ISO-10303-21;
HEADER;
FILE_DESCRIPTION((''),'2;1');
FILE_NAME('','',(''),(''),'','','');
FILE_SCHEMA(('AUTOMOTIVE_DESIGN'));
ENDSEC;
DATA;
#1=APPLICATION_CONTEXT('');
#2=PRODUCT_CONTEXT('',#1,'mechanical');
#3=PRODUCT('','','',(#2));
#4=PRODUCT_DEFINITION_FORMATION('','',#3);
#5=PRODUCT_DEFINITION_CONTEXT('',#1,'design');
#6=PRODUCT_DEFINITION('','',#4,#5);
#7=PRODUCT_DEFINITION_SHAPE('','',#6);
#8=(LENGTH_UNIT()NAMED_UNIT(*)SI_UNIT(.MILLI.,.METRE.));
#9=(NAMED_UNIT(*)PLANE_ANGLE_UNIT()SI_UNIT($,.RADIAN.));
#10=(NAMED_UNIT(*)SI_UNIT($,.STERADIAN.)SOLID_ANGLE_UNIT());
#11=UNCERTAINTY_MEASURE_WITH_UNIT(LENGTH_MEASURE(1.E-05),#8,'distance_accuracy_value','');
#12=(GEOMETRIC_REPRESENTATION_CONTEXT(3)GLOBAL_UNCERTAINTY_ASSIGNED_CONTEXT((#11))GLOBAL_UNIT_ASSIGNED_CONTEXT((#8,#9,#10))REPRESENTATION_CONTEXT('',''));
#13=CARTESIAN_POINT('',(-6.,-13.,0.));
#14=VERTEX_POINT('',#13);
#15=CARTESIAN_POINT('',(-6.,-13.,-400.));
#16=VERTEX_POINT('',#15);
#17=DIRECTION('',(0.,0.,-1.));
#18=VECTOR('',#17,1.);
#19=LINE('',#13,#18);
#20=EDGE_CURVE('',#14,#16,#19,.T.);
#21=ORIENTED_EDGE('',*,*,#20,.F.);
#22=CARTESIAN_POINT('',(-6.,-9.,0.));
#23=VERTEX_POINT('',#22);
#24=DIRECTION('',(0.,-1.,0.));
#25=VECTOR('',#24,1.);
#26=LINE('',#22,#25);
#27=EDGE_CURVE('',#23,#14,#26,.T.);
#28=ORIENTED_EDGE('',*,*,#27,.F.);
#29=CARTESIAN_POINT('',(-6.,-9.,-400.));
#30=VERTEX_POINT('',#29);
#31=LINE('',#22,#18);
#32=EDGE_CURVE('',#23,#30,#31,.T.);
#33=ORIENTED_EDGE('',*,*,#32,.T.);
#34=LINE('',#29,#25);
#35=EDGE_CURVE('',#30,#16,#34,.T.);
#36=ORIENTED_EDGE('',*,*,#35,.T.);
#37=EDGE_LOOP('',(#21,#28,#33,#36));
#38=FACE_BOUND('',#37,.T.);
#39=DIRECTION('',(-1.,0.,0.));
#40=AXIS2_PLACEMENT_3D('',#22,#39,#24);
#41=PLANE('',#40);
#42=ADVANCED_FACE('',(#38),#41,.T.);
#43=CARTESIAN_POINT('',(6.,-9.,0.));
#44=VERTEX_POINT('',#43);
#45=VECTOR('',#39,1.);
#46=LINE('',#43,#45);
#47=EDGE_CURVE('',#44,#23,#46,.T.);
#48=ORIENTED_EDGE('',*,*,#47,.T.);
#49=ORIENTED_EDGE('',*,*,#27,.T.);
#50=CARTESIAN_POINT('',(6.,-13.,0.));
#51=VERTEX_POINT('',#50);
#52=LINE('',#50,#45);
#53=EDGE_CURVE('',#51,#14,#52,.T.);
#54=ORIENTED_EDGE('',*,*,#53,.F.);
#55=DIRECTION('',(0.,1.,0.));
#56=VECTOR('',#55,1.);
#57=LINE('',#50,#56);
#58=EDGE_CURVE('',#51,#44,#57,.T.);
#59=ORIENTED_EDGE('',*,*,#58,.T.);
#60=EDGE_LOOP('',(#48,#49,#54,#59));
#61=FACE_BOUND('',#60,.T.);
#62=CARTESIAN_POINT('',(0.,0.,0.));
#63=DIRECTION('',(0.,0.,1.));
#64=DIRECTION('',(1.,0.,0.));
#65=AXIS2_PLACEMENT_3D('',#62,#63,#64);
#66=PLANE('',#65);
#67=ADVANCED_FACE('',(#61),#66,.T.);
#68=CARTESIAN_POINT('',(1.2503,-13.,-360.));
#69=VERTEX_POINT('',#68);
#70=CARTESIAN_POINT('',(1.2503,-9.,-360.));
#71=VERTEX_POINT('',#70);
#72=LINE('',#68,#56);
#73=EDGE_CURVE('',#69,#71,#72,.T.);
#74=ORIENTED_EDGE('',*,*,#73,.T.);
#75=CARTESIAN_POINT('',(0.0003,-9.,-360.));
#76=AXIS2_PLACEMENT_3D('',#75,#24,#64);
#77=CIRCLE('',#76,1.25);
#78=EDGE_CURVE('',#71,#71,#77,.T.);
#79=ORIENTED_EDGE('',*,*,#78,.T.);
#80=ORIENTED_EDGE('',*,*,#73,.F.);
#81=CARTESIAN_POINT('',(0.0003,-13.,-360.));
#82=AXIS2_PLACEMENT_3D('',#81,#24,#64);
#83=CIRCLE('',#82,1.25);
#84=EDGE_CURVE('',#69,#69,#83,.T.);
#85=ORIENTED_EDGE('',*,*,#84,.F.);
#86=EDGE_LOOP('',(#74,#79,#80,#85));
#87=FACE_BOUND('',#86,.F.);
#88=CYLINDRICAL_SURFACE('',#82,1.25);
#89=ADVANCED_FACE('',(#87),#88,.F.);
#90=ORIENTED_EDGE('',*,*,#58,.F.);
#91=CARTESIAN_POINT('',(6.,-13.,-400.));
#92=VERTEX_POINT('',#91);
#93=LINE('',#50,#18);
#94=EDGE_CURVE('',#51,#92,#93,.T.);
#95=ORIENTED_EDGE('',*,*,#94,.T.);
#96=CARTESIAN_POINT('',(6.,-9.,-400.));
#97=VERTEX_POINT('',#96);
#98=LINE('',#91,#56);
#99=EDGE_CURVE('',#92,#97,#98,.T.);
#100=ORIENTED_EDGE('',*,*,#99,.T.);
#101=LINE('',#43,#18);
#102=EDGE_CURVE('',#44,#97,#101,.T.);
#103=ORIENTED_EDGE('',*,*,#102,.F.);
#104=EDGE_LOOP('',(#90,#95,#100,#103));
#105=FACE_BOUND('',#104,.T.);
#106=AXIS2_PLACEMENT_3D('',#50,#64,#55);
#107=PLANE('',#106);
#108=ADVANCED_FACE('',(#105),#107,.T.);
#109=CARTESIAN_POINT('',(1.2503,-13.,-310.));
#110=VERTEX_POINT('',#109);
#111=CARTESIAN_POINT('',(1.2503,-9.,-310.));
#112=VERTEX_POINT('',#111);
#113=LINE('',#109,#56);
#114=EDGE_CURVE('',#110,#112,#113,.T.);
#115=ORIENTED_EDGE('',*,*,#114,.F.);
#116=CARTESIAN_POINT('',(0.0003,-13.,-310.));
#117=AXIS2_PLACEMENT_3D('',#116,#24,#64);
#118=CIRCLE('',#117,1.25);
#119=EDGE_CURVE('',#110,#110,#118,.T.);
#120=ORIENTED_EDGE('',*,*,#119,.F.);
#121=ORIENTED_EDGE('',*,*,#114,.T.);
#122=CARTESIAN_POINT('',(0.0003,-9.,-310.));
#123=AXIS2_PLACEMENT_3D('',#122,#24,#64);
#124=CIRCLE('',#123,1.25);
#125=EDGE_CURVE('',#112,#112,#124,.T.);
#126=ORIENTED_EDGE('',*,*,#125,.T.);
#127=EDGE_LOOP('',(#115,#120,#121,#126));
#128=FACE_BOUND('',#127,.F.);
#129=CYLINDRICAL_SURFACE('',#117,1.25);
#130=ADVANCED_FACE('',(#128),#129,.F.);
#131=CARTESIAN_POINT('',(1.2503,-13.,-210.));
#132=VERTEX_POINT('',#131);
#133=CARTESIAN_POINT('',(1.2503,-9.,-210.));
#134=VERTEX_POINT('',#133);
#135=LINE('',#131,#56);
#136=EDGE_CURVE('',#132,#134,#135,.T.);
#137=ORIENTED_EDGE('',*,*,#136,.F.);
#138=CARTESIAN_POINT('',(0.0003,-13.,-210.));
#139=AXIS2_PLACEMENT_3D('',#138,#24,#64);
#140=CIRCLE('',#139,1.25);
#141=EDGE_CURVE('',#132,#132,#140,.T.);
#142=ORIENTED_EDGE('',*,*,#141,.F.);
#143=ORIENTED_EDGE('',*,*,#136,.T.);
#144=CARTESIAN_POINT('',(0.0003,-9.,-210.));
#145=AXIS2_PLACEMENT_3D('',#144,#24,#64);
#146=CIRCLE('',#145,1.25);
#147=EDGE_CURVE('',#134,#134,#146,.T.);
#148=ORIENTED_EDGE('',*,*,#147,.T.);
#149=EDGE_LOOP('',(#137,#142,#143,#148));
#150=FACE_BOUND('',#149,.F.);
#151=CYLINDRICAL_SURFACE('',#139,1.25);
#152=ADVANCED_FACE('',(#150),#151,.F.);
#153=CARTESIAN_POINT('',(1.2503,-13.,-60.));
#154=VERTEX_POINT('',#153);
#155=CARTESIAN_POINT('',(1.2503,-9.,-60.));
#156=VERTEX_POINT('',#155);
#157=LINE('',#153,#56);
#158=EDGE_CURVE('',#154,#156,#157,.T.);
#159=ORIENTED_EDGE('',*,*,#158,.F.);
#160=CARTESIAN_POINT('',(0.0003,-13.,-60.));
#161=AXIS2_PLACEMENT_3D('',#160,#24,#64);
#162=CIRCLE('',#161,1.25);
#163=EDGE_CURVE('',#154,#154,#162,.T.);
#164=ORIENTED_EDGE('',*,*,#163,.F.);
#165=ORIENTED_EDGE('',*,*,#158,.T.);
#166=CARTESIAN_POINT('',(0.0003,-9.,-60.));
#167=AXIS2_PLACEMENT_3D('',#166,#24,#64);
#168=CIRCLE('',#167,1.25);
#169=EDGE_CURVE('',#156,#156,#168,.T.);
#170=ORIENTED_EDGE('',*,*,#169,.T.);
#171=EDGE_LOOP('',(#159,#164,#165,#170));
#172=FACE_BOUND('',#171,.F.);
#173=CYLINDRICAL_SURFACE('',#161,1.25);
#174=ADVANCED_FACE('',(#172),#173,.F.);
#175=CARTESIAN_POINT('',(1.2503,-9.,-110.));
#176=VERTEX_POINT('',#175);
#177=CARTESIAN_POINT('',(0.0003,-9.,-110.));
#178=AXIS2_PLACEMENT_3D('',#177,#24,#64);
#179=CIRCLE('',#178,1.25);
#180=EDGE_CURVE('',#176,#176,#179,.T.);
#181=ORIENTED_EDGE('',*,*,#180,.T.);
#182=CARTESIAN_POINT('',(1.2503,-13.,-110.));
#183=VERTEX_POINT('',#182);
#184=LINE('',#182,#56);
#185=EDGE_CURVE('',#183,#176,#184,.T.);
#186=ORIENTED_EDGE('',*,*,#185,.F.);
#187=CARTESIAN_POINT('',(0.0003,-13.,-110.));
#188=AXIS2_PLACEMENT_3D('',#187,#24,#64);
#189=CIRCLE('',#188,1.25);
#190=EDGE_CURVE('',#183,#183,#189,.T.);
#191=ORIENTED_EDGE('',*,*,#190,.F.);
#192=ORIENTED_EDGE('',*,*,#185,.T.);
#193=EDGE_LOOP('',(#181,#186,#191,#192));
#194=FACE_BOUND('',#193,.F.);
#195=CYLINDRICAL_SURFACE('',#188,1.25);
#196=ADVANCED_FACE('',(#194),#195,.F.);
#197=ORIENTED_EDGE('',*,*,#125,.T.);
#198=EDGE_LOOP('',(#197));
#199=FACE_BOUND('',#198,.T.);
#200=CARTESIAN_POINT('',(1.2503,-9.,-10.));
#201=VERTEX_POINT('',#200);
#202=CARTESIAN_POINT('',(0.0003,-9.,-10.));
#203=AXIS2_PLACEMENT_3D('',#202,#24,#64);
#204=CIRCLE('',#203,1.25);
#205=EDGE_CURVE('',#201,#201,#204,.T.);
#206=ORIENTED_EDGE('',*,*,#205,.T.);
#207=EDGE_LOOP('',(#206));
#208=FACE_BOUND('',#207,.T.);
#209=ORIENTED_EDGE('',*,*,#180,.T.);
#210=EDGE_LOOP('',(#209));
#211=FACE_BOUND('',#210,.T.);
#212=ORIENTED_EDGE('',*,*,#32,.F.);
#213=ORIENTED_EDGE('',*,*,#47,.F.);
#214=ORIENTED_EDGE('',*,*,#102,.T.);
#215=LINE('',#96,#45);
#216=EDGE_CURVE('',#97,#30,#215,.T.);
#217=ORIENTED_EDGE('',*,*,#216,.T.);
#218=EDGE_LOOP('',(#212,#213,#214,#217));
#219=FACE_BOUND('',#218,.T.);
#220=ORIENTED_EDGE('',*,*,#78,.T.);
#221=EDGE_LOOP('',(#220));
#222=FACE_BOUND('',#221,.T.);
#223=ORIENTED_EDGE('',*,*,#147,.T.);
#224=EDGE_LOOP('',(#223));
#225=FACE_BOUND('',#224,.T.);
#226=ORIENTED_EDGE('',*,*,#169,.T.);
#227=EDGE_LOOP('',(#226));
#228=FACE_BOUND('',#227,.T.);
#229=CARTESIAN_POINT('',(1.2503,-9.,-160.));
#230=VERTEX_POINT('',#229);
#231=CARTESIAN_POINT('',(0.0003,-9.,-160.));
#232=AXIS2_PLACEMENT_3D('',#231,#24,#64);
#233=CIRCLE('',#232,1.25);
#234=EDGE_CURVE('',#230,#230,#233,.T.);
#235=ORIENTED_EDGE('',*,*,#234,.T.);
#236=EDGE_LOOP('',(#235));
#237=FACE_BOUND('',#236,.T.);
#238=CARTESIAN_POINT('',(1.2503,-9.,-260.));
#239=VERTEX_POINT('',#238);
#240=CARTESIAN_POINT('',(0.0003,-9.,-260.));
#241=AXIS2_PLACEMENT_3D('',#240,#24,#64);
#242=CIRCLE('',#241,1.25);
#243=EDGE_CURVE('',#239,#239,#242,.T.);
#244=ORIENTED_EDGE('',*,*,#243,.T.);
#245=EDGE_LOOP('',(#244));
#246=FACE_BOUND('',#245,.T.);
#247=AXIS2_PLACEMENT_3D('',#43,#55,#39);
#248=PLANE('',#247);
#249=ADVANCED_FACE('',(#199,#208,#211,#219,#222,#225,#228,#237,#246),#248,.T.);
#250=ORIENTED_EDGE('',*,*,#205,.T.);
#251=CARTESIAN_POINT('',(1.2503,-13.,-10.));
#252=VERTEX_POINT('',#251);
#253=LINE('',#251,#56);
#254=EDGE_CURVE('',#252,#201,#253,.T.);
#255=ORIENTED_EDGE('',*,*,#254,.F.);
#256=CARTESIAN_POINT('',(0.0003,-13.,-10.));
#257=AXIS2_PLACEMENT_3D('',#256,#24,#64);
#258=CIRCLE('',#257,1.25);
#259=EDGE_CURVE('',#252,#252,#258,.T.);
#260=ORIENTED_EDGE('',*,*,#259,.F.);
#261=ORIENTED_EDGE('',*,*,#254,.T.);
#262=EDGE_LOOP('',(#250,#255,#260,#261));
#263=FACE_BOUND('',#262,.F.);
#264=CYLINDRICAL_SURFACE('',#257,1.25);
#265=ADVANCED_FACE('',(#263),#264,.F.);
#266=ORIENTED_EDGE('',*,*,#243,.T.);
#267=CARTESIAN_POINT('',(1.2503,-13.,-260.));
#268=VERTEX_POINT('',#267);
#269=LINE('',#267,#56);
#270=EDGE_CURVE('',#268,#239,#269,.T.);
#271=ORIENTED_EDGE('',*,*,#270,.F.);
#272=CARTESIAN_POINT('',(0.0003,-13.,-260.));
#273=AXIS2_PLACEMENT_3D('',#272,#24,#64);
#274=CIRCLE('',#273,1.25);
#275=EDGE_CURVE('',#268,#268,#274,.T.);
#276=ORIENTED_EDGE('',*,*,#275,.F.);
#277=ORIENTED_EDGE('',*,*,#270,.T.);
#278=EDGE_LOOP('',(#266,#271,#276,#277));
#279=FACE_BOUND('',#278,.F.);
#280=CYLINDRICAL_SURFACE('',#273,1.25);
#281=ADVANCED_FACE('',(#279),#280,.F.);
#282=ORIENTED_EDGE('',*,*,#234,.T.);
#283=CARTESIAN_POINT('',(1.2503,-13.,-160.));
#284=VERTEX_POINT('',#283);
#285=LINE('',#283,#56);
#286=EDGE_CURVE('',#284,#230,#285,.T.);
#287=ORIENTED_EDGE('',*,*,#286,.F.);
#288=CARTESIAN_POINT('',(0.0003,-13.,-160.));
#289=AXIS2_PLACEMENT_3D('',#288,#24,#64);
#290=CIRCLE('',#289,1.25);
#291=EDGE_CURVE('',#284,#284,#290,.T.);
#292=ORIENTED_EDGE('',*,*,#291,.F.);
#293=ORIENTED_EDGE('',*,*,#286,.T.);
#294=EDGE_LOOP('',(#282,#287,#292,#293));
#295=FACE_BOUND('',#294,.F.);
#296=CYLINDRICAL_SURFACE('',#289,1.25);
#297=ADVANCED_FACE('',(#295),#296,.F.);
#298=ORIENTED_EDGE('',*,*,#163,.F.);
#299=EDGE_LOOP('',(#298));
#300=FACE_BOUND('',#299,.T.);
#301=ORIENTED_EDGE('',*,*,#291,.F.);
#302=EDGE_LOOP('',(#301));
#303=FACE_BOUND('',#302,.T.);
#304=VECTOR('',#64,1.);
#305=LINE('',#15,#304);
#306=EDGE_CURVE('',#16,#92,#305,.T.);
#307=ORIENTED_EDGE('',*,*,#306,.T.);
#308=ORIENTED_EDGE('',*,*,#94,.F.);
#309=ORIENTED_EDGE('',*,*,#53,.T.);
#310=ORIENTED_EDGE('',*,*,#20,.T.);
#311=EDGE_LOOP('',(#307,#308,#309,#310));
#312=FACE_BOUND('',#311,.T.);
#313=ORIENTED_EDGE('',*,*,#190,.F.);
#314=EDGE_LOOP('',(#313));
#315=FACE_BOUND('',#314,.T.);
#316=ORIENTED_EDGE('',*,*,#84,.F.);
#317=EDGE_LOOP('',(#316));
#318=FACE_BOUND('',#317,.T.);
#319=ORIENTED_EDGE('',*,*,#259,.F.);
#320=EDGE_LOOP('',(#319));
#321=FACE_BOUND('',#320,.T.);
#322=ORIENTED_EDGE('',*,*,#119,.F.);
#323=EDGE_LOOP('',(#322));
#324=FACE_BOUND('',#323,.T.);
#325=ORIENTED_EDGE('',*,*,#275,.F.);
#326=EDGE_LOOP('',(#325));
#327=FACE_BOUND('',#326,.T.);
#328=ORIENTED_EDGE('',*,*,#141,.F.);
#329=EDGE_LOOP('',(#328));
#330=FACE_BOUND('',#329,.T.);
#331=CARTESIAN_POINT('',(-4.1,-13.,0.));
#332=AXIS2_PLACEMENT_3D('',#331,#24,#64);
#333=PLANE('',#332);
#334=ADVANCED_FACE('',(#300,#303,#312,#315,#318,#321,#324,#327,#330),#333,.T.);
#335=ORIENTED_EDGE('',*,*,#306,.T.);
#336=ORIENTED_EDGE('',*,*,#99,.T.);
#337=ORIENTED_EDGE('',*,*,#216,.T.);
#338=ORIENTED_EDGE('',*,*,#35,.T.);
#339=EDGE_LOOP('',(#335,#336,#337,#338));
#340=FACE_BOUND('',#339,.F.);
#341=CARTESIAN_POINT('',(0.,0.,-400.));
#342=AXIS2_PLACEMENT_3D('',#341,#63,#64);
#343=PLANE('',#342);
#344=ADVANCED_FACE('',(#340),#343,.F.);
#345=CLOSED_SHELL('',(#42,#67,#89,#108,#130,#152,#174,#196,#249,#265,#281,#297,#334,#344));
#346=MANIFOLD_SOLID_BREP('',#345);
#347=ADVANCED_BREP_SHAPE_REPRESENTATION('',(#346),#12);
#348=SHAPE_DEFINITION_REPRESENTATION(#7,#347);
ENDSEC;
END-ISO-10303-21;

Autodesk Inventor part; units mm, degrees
ref_plane "YZ Plane" through (0, 0, 0) normal (1, 0, 0) x (0, 1, 0)
ref_plane "XZ Plane" through (0, 0, 0) normal (0, 1, 0) x (-1, 0, 0)
ref_plane "XY Plane" through (0, 0, 0) normal (0, 0, 1) x (1, 0, 0)
sketch "Sketch1" plane through (0, 0, 0) normal (0, 0, 1) x (1, 0, 0)
  line L0 (8.25, 13) -> (8.25, 9.6642) projected
  line L1 (8.25, 9.6642) -> (4.1, 5.5142) projected
  line L2 (4.1, 5.5142) -> (-4.1, 5.5142) projected
  line L3 (-4.1, 5.5142) -> (-8.25, 9.6642) projected
  line L4 (-8.25, 9.6642) -> (-8.25, 13) projected
  line L5 (-8.25, 13) -> (-4.1, 13) projected
  line L6 (-4.1, 13) -> (-4.1, 14) projected
  line L7 (-4.1, 14) -> (-5.1, 14) projected
  line L8 (-5.1, 14) -> (-5.1, 15) projected
  line L9 (-5.1, 15) -> (-13, 15) projected
  arc A0 (-13, 15) -> (-15, 13) centre (-13, 13) ccw projected
  line L10 (-15, 13) -> (-15, 5.1) projected
  line L11 (-15, 5.1) -> (-14, 5.1) projected
  line L12 (-14, 5.1) -> (-14, 4.1) projected
  line L13 (-14, 4.1) -> (-13, 4.1) projected
  line L14 (-13, 4.1) -> (-13, 8.25) projected
  line L15 (-13, 8.25) -> (-9.6642, 8.25) projected
  line L16 (-9.6642, 8.25) -> (-5.5142, 4.1) projected
  line L17 (-5.5142, 4.1) -> (-5.5142, -4.1) projected
  line L18 (-5.5142, -4.1) -> (-9.6642, -8.25) projected
  line L19 (-9.6642, -8.25) -> (-13, -8.25) projected
  line L20 (-13, -8.25) -> (-13, -4.1) projected
  line L21 (-13, -4.1) -> (-14, -4.1) projected
  line L22 (-14, -4.1) -> (-14, -5.1) projected
  line L23 (-14, -5.1) -> (-15, -5.1) projected
  line L24 (-15, -5.1) -> (-15, -13) projected
  arc A1 (-15, -13) -> (-13, -15) centre (-13, -13) ccw projected
  line L25 (-13, -15) -> (-5.1, -15) projected
  line L26 (-5.1, -15) -> (-5.1, -14) projected
  line L27 (-5.1, -14) -> (-4.1, -14) projected
  line L28 (-4.1, -14) -> (-4.1, -13) projected
  line L29 (-4.1, -13) -> (-8.25, -13) projected
  line L30 (-8.25, -13) -> (-8.25, -9.6642) projected
  line L31 (-8.25, -9.6642) -> (-4.1, -5.5142) projected
  line L32 (-4.1, -5.5142) -> (4.1, -5.5142) projected
  line L33 (4.1, -5.5142) -> (8.25, -9.6642) projected
  line L34 (8.25, -9.6642) -> (8.25, -13) projected
  line L35 (8.25, -13) -> (4.1, -13) projected
  line L36 (4.1, -13) -> (4.1, -14) projected
  line L37 (4.1, -14) -> (5.1, -14) projected
  line L38 (5.1, -14) -> (5.1, -15) projected
  line L39 (5.1, -15) -> (13, -15) projected
  arc A2 (13, -15) -> (15, -13) centre (13, -13) ccw projected
  line L40 (15, -13) -> (15, -5.1) projected
  line L41 (15, -5.1) -> (14, -5.1) projected
  line L42 (14, -5.1) -> (14, -4.1) projected
  line L43 (14, -4.1) -> (13, -4.1) projected
  line L44 (13, -4.1) -> (13, -8.25) projected
  line L45 (13, -8.25) -> (9.6642, -8.25) projected
  line L46 (9.6642, -8.25) -> (5.5142, -4.1) projected
  line L47 (5.5142, -4.1) -> (5.5142, 4.1) projected
  line L48 (5.5142, 4.1) -> (9.6642, 8.25) projected
  line L49 (9.6642, 8.25) -> (13, 8.25) projected
  line L50 (13, 8.25) -> (13, 4.1) projected
  line L51 (13, 4.1) -> (14, 4.1) projected
  line L52 (14, 4.1) -> (14, 5.1) projected
  line L53 (14, 5.1) -> (15, 5.1) projected
  line L54 (15, 5.1) -> (15, 13) projected
  arc A3 (15, 13) -> (13, 15) centre (13, 13) ccw projected
  line L55 (13, 15) -> (5.1, 15) projected
  line L56 (5.1, 15) -> (5.1, 14) projected
  line L57 (5.1, 14) -> (4.1, 14) projected
  line L58 (4.1, 14) -> (4.1, 13) projected
  line L59 (4.1, 13) -> (8.25, 13) projected
  arc A4 (9.75, -12.5) -> (10.75, -13.5) centre (10.75, -12.5) ccw projected
  line L60 (9.75, -12.5) -> (9.75, -10.75) projected
  arc A5 (10.75, -9.75) -> (9.75, -10.75) centre (10.75, -10.75) ccw projected
  line L61 (10.75, -9.75) -> (12.5, -9.75) projected
  arc A6 (13.5, -10.75) -> (12.5, -9.75) centre (12.5, -10.75) ccw projected
  line L62 (13.5, -10.75) -> (13.5, -12.5) projected
  arc A7 (12.5, -13.5) -> (13.5, -12.5) centre (12.5, -12.5) ccw projected
  line L63 (12.5, -13.5) -> (10.75, -13.5) projected
  arc A8 (-13.5, 10.75) -> (-12.5, 9.75) centre (-12.5, 10.75) ccw projected
  line L64 (-13.5, 10.75) -> (-13.5, 12.5) projected
  arc A9 (-12.5, 13.5) -> (-13.5, 12.5) centre (-12.5, 12.5) ccw projected
  line L65 (-12.5, 13.5) -> (-10.75, 13.5) projected
  arc A10 (-9.75, 12.5) -> (-10.75, 13.5) centre (-10.75, 12.5) ccw projected
  line L66 (-9.75, 12.5) -> (-9.75, 10.75) projected
  arc A11 (-10.75, 9.75) -> (-9.75, 10.75) centre (-10.75, 10.75) ccw projected
  line L67 (-10.75, 9.75) -> (-12.5, 9.75) projected
  circle A12 centre (0, 0) radius 3.4 projected
  line L68 (9.75, 10.75) -> (9.75, 12.5) projected
  arc A13 (10.75, 13.5) -> (9.75, 12.5) centre (10.75, 12.5) ccw projected
  line L69 (10.75, 13.5) -> (12.5, 13.5) projected
  arc A14 (13.5, 12.5) -> (12.5, 13.5) centre (12.5, 12.5) ccw projected
  line L70 (13.5, 12.5) -> (13.5, 10.75) projected
  arc A15 (12.5, 9.75) -> (13.5, 10.75) centre (12.5, 10.75) ccw projected
  line L71 (12.5, 9.75) -> (10.75, 9.75) projected
  arc A16 (9.75, 10.75) -> (10.75, 9.75) centre (10.75, 10.75) ccw projected
  arc A17 (-12.5, -9.75) -> (-13.5, -10.75) centre (-12.5, -10.75) ccw projected
  line L72 (-12.5, -9.75) -> (-10.75, -9.75) projected
  arc A18 (-9.75, -10.75) -> (-10.75, -9.75) centre (-10.75, -10.75) ccw projected
  line L73 (-9.75, -10.75) -> (-9.75, -12.5) projected
  arc A19 (-10.75, -13.5) -> (-9.75, -12.5) centre (-10.75, -12.5) ccw projected
  line L74 (-10.75, -13.5) -> (-12.5, -13.5) projected
  arc A20 (-13.5, -12.5) -> (-12.5, -13.5) centre (-12.5, -12.5) ccw projected
  line L75 (-13.5, -12.5) -> (-13.5, -10.75) projected
  line L76 (-6, -13) -> (6, -13)
  line L77 (6, -13) -> (6, -9)
  line L78 (6, -9) -> (-6, -9)
  line L79 (-6, -9) -> (-6, -13)
  line L80 (0, -5.5142) -> (0, -26.3036) construction
  point P0 (0, 0)
  dimension "d0" = 4
  dimension "d1" = 12
extrude "Extrusion1" add sketch "Sketch1" against normal blind 400 contours L76 L29 L79 L78 L77 L35
sketch "Sketch2" plane through (-6, -13, 0) normal (0, -1, 0) x (1, 0, 0)
  circle A0 centre (6.0003, -10) radius 3 projected
  circle A1 centre (6.0003, -35) radius 3 projected
  circle A2 centre (6.0003, -10) radius 1.25
  point P0 (6, 0)
  dimension "d4" = 2.5
extrude "Extrusion2" cut sketch "Sketch2" against normal blind 400 contours A2
pattern_linear "Rectangular Pattern1" count 8 spacing 50 along (0, 0, -1) of "Extrusion2"
properties part number "Rain T Slot"
